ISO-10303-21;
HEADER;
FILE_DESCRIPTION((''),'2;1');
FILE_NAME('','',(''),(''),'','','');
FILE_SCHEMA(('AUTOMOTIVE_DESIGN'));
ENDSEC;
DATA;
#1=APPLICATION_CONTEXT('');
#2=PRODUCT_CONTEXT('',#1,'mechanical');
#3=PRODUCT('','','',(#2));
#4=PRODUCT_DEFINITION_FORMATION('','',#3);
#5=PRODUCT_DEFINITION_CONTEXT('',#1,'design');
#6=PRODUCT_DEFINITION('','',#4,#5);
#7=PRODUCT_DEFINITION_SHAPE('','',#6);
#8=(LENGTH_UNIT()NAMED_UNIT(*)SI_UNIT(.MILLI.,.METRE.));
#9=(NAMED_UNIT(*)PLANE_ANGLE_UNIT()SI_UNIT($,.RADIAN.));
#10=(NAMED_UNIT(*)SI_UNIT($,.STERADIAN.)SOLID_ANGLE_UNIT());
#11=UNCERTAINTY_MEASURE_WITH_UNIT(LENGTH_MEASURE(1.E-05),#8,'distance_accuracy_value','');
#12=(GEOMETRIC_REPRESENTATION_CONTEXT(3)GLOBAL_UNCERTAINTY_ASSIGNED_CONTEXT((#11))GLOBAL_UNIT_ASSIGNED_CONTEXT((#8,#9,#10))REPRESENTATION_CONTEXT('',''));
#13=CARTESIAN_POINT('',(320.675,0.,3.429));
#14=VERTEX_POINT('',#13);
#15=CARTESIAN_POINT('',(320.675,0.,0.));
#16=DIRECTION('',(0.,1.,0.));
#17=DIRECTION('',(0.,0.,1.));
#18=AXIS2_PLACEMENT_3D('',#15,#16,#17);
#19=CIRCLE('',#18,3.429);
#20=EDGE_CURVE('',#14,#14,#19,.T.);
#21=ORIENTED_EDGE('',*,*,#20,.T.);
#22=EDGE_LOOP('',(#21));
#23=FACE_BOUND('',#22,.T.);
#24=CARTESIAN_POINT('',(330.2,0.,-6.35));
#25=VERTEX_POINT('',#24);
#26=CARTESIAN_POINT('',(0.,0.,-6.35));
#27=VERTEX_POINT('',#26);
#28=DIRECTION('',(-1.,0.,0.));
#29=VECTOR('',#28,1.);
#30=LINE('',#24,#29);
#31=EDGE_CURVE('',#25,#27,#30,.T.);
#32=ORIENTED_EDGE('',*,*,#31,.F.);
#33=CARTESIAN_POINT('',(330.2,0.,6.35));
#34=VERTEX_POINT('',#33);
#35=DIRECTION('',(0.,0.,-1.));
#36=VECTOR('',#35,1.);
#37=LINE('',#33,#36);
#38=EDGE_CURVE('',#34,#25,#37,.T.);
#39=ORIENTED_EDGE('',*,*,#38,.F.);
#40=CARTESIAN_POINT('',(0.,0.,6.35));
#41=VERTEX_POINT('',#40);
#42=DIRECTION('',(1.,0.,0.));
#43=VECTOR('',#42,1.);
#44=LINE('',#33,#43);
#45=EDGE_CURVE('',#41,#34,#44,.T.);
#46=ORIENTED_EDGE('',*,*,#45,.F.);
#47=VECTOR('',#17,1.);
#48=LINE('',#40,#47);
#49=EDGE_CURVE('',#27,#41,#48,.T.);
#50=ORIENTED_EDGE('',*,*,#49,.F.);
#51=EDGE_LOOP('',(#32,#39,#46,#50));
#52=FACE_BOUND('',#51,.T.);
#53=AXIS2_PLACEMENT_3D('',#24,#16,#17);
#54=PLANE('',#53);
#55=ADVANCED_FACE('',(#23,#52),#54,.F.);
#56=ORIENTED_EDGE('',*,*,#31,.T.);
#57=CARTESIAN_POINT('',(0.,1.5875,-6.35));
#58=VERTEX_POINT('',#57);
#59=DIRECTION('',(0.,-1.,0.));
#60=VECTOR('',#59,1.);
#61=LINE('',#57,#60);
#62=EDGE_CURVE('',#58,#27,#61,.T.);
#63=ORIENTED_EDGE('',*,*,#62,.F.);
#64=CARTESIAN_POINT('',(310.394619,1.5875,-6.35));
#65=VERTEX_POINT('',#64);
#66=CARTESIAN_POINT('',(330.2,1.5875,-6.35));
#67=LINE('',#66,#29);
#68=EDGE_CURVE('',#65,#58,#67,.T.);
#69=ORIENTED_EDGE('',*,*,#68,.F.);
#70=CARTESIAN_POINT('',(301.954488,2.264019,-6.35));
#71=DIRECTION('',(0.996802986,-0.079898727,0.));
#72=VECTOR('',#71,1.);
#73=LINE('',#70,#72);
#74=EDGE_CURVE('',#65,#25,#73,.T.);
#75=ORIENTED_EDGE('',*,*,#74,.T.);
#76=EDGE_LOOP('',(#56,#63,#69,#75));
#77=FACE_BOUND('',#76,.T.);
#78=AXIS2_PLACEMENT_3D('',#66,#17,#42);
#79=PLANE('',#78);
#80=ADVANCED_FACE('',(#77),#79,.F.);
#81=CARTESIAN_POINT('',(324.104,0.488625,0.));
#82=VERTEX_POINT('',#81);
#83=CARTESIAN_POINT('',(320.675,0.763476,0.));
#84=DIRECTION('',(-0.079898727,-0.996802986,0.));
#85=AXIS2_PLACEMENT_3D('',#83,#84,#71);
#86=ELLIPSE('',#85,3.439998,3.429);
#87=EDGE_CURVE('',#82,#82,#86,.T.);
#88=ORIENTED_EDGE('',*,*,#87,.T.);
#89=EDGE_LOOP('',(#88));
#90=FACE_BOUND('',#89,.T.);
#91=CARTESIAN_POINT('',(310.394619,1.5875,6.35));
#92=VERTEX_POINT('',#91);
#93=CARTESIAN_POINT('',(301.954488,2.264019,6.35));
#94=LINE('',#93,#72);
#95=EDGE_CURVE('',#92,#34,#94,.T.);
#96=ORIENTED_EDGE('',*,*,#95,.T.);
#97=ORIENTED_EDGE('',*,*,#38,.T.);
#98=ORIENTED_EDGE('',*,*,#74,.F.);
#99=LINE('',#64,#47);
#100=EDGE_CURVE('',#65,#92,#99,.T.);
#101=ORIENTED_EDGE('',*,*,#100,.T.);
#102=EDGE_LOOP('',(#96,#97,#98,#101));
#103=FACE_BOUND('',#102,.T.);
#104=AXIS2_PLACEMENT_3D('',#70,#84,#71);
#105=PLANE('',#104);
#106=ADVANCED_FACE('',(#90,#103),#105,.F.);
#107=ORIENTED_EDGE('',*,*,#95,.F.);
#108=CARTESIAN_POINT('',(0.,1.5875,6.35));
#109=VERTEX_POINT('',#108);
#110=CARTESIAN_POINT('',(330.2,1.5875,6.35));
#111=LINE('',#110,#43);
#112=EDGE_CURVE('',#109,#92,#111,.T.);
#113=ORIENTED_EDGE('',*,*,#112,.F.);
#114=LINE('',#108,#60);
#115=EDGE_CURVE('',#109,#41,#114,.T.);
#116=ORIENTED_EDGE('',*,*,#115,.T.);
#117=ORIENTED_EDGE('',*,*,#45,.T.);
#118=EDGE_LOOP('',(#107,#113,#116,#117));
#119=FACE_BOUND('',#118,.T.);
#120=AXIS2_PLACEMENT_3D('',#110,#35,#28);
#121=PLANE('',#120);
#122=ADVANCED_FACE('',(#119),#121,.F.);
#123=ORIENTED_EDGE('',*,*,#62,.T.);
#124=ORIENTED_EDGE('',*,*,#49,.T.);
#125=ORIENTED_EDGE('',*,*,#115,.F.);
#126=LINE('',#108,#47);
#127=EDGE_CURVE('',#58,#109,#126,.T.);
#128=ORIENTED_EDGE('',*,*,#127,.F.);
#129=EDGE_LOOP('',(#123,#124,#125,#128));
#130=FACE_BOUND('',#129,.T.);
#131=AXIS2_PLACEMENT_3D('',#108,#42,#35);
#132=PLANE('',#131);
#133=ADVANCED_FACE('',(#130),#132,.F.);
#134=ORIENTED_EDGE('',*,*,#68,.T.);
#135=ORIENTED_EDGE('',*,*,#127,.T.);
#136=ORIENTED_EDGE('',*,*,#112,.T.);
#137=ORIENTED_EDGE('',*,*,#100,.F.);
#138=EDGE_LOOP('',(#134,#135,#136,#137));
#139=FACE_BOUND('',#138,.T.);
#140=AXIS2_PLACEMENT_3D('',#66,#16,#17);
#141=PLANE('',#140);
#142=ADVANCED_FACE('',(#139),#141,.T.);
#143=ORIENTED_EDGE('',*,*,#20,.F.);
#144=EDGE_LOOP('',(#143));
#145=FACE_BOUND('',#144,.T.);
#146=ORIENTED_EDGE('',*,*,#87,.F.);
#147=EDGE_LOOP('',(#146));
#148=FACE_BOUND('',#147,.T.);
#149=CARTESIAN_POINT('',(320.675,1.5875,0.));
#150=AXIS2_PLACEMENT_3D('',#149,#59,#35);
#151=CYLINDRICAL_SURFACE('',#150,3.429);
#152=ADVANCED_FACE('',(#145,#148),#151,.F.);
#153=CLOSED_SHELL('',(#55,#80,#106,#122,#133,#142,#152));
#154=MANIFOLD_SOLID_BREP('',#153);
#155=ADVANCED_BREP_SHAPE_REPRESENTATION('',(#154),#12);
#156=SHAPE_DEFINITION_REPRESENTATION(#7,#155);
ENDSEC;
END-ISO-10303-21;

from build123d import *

# Parameters (mm, degrees)
SKETCH1_W               = 330.2
SKETCH1_H               = 12.7
SKETCH1_R               = 3.429
EXTRUDE1_DEPTH          = 1.5875
CUT_EXTRUDE2_DEPTH      = 7.35
CUT_EXTRUDE2_DEPTH_BACK = 7.35


with BuildPart() as part:
    # Sketch1 → Extrude1 (new body)
    with BuildSketch(Plane(origin=(0, 0, 0), x_dir=(1, 0, 0), z_dir=(0, 1, 0))):
        with Locations((165.1, 0)):
            Rectangle(SKETCH1_W, SKETCH1_H)
        with Locations(Location((320.675, 0, 0), (0, 0, 270))):  # turned: the seam where the file's is
            Circle(SKETCH1_R, mode=Mode.SUBTRACT)
    extrude(amount=EXTRUDE1_DEPTH)

    # Sketch2 → Cut-Extrude2 (cut, two sides)
    with BuildSketch(Plane.XY) as cut_extrude2_sk:
        Polygon((330.2, 0), (330.2, 2.264018557), (301.954487886, 2.264018557), align=None)
    extrude(amount=CUT_EXTRUDE2_DEPTH, mode=Mode.SUBTRACT)
    extrude(cut_extrude2_sk.sketch, amount=-CUT_EXTRUDE2_DEPTH_BACK, mode=Mode.SUBTRACT)


solid = part.part
